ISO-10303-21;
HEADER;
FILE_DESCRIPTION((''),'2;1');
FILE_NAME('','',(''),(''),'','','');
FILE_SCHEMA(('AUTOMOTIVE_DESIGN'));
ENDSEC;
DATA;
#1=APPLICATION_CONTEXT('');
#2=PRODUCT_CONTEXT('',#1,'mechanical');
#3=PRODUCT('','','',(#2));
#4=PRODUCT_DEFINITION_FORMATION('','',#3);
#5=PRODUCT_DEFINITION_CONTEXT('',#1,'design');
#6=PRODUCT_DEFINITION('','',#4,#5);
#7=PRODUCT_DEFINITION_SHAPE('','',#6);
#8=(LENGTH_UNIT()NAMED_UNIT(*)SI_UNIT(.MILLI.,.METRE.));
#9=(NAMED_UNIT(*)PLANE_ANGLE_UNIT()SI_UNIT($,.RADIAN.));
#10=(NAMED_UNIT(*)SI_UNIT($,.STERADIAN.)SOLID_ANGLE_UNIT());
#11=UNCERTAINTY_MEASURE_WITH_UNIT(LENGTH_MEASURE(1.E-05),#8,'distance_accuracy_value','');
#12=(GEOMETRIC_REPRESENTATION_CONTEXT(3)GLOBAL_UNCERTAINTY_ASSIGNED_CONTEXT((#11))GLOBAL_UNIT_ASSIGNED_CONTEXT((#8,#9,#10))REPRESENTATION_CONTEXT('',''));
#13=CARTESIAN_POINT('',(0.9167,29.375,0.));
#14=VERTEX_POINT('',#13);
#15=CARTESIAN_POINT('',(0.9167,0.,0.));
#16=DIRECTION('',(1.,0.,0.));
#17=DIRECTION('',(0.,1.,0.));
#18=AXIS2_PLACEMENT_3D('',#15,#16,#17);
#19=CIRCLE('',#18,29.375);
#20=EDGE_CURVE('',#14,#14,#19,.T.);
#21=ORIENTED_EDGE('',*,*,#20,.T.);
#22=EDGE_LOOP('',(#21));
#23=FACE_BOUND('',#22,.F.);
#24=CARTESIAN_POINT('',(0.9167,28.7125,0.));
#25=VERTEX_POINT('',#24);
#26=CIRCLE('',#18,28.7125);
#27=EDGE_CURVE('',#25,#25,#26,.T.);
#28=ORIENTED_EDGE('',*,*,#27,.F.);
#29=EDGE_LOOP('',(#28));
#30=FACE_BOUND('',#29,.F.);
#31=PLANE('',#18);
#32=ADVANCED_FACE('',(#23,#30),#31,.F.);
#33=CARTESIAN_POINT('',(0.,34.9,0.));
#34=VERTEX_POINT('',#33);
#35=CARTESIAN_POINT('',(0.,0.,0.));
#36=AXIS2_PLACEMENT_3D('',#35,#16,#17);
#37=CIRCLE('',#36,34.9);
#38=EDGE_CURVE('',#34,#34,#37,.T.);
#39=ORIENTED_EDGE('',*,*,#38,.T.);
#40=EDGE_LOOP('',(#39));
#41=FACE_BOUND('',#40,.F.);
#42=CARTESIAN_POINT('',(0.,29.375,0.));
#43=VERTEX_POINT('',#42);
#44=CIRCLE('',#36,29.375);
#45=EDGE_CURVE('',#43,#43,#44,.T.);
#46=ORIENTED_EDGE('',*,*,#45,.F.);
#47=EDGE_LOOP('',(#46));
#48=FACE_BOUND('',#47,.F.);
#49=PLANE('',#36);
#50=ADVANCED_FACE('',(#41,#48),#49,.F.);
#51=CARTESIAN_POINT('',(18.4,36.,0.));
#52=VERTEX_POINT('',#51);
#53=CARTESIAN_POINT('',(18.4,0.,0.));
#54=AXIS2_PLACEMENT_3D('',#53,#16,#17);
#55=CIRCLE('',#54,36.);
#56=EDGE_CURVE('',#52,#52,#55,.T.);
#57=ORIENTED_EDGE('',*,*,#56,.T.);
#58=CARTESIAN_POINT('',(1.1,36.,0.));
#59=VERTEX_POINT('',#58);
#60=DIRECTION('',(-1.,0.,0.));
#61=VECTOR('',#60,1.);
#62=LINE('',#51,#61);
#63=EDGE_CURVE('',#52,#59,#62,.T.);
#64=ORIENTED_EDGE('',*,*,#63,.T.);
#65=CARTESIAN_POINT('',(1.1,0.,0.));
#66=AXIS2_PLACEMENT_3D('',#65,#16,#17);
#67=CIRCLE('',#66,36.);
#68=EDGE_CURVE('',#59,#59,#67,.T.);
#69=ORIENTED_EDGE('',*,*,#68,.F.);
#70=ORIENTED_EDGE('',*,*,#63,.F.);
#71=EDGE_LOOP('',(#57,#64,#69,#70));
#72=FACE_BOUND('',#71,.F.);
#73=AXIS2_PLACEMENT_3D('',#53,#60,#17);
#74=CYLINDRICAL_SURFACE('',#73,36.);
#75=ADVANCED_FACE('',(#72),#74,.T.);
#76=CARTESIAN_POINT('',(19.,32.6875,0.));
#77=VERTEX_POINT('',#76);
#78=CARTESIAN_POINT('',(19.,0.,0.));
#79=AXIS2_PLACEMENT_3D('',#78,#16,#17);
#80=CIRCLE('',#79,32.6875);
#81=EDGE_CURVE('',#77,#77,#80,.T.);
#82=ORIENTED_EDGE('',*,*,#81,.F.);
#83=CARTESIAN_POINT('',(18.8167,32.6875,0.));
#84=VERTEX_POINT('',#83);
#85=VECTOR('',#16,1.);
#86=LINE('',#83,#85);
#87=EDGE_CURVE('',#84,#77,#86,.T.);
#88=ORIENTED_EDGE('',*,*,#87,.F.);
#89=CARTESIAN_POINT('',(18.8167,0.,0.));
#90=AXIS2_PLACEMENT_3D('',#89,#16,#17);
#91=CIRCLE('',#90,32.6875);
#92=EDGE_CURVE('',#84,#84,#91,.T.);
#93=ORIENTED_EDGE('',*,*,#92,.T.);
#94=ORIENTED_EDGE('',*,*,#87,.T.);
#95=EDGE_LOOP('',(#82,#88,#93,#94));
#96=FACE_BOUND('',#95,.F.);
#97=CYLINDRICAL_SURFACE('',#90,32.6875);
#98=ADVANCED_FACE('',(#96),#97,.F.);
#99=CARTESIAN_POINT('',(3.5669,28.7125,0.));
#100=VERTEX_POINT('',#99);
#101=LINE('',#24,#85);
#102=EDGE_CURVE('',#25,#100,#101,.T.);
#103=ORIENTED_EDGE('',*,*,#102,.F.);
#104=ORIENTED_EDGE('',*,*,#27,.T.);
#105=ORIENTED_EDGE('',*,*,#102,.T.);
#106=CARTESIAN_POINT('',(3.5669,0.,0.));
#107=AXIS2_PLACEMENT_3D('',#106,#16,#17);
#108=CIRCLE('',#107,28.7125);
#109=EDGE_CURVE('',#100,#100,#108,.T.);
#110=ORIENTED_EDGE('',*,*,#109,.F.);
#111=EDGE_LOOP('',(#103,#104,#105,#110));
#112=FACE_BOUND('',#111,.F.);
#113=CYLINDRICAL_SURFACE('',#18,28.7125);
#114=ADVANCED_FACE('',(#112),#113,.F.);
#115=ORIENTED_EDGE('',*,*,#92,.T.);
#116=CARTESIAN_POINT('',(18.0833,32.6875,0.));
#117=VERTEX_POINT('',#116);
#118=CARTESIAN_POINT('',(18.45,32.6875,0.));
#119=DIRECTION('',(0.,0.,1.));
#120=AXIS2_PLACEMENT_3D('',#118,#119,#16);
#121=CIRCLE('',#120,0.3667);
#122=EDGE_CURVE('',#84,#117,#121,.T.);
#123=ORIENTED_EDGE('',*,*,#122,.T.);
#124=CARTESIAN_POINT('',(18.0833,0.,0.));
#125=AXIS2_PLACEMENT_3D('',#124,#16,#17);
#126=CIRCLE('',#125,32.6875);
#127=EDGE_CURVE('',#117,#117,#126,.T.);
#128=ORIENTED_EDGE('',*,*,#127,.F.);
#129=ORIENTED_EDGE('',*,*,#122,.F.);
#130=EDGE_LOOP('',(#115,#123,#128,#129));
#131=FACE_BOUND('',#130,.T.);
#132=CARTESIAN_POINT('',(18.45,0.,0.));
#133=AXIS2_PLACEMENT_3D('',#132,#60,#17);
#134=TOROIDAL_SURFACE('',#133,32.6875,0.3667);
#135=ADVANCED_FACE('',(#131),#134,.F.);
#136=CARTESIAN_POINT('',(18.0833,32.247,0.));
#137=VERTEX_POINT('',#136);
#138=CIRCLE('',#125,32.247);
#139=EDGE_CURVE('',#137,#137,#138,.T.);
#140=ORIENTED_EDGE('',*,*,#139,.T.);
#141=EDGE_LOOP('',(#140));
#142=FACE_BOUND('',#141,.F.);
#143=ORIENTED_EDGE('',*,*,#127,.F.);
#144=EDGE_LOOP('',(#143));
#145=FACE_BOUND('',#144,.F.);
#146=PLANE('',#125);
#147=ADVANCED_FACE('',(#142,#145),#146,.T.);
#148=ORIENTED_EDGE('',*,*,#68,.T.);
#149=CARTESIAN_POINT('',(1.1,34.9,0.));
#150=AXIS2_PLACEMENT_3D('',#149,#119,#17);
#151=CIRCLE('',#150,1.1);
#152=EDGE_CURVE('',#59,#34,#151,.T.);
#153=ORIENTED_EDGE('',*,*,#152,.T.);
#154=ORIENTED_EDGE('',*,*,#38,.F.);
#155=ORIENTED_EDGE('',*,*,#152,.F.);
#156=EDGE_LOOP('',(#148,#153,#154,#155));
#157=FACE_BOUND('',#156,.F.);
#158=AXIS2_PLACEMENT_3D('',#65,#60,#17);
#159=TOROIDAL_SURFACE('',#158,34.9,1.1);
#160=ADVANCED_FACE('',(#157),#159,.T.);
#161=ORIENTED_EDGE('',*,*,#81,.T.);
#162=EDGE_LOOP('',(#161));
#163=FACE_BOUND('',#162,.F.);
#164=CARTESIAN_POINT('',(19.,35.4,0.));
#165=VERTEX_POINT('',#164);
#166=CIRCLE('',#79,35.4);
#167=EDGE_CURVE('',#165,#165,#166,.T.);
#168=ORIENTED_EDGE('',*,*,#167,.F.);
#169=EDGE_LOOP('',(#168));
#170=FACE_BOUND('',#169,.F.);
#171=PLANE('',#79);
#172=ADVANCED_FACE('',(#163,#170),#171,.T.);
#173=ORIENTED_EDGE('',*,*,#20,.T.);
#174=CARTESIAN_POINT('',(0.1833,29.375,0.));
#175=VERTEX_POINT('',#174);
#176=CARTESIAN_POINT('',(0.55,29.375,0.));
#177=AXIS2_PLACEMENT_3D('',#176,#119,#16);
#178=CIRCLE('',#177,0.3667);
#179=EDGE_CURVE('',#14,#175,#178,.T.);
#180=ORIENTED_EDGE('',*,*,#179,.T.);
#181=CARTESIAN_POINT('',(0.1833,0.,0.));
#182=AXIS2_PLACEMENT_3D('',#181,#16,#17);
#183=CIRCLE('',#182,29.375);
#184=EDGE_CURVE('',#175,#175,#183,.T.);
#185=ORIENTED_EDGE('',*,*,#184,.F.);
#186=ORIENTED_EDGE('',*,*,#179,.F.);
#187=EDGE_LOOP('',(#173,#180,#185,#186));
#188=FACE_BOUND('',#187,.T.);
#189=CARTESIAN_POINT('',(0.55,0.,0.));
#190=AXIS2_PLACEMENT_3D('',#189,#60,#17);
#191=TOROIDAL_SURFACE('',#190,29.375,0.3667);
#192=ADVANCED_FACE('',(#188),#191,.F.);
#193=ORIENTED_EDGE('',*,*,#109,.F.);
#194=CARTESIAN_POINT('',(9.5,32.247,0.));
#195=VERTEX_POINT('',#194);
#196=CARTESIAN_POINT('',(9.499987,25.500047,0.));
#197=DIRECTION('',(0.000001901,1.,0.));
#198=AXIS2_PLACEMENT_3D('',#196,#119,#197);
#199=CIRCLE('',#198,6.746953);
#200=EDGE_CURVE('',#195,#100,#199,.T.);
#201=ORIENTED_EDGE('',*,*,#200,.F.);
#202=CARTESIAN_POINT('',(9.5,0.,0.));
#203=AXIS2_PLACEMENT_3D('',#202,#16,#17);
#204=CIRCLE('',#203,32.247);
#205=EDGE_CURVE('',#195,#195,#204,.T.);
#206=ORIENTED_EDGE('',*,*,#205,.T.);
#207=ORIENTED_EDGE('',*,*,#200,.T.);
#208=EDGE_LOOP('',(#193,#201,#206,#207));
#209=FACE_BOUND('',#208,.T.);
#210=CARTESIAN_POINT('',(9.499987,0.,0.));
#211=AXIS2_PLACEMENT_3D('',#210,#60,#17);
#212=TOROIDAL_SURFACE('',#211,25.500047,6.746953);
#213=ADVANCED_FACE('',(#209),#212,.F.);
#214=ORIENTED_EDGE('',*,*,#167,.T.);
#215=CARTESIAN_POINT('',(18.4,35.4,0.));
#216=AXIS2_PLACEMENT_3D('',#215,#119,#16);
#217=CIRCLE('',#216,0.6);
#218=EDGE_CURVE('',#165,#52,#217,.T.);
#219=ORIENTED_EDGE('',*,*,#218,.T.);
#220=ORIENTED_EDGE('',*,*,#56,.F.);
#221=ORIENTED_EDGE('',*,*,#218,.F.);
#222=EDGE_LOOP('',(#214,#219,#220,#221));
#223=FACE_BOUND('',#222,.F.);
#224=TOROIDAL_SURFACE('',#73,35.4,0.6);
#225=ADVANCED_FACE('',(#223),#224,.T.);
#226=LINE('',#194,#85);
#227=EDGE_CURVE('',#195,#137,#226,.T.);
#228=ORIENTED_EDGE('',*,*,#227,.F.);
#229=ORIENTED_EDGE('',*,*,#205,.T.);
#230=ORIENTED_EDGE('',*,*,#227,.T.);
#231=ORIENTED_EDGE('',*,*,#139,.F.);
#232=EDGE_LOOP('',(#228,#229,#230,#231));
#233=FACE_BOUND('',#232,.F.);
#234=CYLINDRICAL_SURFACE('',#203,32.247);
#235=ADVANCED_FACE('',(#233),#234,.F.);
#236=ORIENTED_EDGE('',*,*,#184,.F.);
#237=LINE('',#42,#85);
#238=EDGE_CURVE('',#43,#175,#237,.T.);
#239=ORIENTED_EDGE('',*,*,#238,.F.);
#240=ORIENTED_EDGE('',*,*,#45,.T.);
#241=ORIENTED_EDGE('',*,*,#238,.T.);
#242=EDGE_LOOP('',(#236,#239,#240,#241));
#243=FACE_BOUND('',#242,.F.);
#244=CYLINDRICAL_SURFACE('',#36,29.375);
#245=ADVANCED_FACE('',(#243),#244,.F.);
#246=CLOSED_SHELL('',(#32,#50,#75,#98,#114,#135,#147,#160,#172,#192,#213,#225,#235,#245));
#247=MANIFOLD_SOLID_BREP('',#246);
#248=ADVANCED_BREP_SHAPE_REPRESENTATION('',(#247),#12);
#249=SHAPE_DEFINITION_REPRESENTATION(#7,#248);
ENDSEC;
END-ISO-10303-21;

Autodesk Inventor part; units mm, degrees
ref_plane "YZ Plane" through (0, 0, 0) normal (1, 0, 0) x (0, 1, 0)
ref_plane "XZ Plane" through (0, 0, 0) normal (0, 1, 0) x (-1, 0, 0)
ref_plane "XY Plane" through (0, 0, 0) normal (0, 0, 1) x (1, 0, 0)
sketch "Sketch_4" plane through (0, 0, 0) normal (0, 0, 1) x (1, 0, 0)
  line L0 (19, 0) -> (0, 0)
  line L1 (0, 34.9) -> (0, 29.375)
  line L2 (0, 29.375) -> (0.1833, 29.375)
  arc A0 (0.9167, 29.375) -> (0.1833, 29.375) centre (0.55, 29.375) ccw
  line L3 (0.9167, 29.375) -> (0.9167, 28.7125)
  line L4 (0.9167, 28.7125) -> (3.5669, 28.7125)
  arc A1 (9.5, 32.247) -> (3.5669, 28.7125) centre (9.5, 25.5) ccw
  line L5 (9.5, 32.247) -> (18.0833, 32.247)
  line L6 (18.0833, 32.247) -> (18.0833, 32.6875)
  arc A2 (18.8167, 32.6875) -> (18.0833, 32.6875) centre (18.45, 32.6875) ccw
  line L7 (18.8167, 32.6875) -> (19, 32.6875)
  line L8 (19, 32.6875) -> (19, 35.4)
  arc A3 (19, 35.4) -> (18.4, 36) centre (18.4, 35.4) ccw
  line L9 (18.4, 36) -> (1.1, 36)
  arc A4 (1.1, 36) -> (0, 34.9) centre (1.1, 34.9) ccw
revolve "Revolution1" add sketch "Sketch_4" angle 360 about axis through (19, 0, 0) along (1, 0, 0)
properties part number "7306 BE-2RZP_PART2" material "Stainless Steel, 440C"
